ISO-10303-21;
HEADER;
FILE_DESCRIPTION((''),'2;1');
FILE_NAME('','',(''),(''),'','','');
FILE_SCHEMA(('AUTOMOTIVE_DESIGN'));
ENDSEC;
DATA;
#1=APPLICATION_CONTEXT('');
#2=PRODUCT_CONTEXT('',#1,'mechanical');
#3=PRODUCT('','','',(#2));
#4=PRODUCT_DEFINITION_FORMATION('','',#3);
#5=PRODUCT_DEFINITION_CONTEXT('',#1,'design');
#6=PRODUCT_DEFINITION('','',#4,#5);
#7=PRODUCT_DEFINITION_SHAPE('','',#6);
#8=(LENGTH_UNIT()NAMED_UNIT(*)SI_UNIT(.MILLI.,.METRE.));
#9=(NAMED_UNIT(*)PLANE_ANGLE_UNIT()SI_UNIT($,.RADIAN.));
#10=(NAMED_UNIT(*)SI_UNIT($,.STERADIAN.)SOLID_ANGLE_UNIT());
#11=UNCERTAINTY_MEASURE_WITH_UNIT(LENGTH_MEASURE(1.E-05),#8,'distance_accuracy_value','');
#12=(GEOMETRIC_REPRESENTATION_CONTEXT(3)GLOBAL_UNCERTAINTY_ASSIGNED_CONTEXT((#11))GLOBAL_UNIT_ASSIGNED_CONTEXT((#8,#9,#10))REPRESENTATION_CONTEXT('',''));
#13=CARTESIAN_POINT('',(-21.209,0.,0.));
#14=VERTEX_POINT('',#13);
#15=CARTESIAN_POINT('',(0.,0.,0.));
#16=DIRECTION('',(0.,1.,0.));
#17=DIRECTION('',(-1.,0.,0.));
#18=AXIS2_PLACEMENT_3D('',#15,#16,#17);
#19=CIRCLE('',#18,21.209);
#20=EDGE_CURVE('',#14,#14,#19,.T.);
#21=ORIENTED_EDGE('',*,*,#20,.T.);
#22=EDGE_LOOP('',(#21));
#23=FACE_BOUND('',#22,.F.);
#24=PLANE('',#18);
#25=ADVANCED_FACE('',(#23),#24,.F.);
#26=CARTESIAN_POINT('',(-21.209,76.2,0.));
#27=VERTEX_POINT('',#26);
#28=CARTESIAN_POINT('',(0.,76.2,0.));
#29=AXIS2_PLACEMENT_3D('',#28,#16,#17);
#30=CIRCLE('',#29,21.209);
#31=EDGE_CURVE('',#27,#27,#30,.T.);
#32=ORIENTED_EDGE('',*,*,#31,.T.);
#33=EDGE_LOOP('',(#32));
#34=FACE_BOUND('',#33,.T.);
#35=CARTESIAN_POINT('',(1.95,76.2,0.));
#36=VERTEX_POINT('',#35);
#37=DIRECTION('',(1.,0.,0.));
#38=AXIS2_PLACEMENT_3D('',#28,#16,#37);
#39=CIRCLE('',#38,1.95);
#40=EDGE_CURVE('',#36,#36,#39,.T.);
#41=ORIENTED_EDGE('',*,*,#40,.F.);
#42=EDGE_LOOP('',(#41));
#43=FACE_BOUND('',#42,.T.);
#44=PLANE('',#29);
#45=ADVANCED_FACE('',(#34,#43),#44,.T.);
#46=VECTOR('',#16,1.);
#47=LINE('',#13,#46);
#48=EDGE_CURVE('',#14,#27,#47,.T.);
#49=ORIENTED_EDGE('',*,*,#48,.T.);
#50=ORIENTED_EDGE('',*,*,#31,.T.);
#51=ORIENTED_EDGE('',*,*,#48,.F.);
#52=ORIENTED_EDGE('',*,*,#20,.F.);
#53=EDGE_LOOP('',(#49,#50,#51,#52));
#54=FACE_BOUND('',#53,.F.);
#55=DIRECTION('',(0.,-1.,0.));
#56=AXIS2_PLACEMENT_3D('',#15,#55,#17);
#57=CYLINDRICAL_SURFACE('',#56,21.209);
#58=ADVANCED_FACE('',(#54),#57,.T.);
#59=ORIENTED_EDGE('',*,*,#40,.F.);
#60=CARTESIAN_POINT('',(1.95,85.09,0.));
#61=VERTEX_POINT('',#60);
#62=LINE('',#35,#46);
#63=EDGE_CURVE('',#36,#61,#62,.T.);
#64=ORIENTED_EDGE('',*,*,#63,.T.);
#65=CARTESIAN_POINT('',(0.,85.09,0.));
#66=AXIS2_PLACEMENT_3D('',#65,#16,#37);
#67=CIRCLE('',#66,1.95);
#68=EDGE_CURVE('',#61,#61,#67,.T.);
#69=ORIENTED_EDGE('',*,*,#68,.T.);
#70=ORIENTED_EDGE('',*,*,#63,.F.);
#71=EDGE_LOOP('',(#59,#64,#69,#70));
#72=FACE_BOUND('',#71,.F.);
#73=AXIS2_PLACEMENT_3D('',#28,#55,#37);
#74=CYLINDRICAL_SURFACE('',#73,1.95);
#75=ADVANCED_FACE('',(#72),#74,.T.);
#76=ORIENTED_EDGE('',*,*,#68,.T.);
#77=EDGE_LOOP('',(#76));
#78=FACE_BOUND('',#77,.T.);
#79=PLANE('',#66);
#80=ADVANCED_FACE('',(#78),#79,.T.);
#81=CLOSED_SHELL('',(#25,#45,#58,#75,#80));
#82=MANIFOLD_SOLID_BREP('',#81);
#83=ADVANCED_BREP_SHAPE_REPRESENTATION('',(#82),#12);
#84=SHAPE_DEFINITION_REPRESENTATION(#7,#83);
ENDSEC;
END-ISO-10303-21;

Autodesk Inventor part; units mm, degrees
ref_plane "YZ Plane" through (0, 0, 0) normal (1, 0, 0) x (0, 1, 0)
ref_plane "XZ Plane" through (0, 0, 0) normal (0, 1, 0) x (-1, 0, 0)
ref_plane "XY Plane" through (0, 0, 0) normal (0, 0, 1) x (1, 0, 0)
sketch "Sketch1" plane through (0, 0, 0) normal (0, 1, 0) x (-1, 0, 0)
  circle A0 centre (0, 0) radius 21.209
  dimension "d0" = 42.418
extrude "Extrusion1" add sketch "Sketch1" along normal blind 76.2
sketch "Sketch2" plane through (0, 76.2, 0) normal (0, 1, 0) x (1, 0, 0)
  circle A0 centre (0, 0) radius 21.209 projected
  circle A1 centre (0, 0) radius 1.95
  dimension "d3" = 3.9
extrude "Extrusion2" add sketch "Sketch2" along normal blind 8.89 contours A1
properties part number "motorBodyAndShaftMassive01" material "Steel, Galvanized"
